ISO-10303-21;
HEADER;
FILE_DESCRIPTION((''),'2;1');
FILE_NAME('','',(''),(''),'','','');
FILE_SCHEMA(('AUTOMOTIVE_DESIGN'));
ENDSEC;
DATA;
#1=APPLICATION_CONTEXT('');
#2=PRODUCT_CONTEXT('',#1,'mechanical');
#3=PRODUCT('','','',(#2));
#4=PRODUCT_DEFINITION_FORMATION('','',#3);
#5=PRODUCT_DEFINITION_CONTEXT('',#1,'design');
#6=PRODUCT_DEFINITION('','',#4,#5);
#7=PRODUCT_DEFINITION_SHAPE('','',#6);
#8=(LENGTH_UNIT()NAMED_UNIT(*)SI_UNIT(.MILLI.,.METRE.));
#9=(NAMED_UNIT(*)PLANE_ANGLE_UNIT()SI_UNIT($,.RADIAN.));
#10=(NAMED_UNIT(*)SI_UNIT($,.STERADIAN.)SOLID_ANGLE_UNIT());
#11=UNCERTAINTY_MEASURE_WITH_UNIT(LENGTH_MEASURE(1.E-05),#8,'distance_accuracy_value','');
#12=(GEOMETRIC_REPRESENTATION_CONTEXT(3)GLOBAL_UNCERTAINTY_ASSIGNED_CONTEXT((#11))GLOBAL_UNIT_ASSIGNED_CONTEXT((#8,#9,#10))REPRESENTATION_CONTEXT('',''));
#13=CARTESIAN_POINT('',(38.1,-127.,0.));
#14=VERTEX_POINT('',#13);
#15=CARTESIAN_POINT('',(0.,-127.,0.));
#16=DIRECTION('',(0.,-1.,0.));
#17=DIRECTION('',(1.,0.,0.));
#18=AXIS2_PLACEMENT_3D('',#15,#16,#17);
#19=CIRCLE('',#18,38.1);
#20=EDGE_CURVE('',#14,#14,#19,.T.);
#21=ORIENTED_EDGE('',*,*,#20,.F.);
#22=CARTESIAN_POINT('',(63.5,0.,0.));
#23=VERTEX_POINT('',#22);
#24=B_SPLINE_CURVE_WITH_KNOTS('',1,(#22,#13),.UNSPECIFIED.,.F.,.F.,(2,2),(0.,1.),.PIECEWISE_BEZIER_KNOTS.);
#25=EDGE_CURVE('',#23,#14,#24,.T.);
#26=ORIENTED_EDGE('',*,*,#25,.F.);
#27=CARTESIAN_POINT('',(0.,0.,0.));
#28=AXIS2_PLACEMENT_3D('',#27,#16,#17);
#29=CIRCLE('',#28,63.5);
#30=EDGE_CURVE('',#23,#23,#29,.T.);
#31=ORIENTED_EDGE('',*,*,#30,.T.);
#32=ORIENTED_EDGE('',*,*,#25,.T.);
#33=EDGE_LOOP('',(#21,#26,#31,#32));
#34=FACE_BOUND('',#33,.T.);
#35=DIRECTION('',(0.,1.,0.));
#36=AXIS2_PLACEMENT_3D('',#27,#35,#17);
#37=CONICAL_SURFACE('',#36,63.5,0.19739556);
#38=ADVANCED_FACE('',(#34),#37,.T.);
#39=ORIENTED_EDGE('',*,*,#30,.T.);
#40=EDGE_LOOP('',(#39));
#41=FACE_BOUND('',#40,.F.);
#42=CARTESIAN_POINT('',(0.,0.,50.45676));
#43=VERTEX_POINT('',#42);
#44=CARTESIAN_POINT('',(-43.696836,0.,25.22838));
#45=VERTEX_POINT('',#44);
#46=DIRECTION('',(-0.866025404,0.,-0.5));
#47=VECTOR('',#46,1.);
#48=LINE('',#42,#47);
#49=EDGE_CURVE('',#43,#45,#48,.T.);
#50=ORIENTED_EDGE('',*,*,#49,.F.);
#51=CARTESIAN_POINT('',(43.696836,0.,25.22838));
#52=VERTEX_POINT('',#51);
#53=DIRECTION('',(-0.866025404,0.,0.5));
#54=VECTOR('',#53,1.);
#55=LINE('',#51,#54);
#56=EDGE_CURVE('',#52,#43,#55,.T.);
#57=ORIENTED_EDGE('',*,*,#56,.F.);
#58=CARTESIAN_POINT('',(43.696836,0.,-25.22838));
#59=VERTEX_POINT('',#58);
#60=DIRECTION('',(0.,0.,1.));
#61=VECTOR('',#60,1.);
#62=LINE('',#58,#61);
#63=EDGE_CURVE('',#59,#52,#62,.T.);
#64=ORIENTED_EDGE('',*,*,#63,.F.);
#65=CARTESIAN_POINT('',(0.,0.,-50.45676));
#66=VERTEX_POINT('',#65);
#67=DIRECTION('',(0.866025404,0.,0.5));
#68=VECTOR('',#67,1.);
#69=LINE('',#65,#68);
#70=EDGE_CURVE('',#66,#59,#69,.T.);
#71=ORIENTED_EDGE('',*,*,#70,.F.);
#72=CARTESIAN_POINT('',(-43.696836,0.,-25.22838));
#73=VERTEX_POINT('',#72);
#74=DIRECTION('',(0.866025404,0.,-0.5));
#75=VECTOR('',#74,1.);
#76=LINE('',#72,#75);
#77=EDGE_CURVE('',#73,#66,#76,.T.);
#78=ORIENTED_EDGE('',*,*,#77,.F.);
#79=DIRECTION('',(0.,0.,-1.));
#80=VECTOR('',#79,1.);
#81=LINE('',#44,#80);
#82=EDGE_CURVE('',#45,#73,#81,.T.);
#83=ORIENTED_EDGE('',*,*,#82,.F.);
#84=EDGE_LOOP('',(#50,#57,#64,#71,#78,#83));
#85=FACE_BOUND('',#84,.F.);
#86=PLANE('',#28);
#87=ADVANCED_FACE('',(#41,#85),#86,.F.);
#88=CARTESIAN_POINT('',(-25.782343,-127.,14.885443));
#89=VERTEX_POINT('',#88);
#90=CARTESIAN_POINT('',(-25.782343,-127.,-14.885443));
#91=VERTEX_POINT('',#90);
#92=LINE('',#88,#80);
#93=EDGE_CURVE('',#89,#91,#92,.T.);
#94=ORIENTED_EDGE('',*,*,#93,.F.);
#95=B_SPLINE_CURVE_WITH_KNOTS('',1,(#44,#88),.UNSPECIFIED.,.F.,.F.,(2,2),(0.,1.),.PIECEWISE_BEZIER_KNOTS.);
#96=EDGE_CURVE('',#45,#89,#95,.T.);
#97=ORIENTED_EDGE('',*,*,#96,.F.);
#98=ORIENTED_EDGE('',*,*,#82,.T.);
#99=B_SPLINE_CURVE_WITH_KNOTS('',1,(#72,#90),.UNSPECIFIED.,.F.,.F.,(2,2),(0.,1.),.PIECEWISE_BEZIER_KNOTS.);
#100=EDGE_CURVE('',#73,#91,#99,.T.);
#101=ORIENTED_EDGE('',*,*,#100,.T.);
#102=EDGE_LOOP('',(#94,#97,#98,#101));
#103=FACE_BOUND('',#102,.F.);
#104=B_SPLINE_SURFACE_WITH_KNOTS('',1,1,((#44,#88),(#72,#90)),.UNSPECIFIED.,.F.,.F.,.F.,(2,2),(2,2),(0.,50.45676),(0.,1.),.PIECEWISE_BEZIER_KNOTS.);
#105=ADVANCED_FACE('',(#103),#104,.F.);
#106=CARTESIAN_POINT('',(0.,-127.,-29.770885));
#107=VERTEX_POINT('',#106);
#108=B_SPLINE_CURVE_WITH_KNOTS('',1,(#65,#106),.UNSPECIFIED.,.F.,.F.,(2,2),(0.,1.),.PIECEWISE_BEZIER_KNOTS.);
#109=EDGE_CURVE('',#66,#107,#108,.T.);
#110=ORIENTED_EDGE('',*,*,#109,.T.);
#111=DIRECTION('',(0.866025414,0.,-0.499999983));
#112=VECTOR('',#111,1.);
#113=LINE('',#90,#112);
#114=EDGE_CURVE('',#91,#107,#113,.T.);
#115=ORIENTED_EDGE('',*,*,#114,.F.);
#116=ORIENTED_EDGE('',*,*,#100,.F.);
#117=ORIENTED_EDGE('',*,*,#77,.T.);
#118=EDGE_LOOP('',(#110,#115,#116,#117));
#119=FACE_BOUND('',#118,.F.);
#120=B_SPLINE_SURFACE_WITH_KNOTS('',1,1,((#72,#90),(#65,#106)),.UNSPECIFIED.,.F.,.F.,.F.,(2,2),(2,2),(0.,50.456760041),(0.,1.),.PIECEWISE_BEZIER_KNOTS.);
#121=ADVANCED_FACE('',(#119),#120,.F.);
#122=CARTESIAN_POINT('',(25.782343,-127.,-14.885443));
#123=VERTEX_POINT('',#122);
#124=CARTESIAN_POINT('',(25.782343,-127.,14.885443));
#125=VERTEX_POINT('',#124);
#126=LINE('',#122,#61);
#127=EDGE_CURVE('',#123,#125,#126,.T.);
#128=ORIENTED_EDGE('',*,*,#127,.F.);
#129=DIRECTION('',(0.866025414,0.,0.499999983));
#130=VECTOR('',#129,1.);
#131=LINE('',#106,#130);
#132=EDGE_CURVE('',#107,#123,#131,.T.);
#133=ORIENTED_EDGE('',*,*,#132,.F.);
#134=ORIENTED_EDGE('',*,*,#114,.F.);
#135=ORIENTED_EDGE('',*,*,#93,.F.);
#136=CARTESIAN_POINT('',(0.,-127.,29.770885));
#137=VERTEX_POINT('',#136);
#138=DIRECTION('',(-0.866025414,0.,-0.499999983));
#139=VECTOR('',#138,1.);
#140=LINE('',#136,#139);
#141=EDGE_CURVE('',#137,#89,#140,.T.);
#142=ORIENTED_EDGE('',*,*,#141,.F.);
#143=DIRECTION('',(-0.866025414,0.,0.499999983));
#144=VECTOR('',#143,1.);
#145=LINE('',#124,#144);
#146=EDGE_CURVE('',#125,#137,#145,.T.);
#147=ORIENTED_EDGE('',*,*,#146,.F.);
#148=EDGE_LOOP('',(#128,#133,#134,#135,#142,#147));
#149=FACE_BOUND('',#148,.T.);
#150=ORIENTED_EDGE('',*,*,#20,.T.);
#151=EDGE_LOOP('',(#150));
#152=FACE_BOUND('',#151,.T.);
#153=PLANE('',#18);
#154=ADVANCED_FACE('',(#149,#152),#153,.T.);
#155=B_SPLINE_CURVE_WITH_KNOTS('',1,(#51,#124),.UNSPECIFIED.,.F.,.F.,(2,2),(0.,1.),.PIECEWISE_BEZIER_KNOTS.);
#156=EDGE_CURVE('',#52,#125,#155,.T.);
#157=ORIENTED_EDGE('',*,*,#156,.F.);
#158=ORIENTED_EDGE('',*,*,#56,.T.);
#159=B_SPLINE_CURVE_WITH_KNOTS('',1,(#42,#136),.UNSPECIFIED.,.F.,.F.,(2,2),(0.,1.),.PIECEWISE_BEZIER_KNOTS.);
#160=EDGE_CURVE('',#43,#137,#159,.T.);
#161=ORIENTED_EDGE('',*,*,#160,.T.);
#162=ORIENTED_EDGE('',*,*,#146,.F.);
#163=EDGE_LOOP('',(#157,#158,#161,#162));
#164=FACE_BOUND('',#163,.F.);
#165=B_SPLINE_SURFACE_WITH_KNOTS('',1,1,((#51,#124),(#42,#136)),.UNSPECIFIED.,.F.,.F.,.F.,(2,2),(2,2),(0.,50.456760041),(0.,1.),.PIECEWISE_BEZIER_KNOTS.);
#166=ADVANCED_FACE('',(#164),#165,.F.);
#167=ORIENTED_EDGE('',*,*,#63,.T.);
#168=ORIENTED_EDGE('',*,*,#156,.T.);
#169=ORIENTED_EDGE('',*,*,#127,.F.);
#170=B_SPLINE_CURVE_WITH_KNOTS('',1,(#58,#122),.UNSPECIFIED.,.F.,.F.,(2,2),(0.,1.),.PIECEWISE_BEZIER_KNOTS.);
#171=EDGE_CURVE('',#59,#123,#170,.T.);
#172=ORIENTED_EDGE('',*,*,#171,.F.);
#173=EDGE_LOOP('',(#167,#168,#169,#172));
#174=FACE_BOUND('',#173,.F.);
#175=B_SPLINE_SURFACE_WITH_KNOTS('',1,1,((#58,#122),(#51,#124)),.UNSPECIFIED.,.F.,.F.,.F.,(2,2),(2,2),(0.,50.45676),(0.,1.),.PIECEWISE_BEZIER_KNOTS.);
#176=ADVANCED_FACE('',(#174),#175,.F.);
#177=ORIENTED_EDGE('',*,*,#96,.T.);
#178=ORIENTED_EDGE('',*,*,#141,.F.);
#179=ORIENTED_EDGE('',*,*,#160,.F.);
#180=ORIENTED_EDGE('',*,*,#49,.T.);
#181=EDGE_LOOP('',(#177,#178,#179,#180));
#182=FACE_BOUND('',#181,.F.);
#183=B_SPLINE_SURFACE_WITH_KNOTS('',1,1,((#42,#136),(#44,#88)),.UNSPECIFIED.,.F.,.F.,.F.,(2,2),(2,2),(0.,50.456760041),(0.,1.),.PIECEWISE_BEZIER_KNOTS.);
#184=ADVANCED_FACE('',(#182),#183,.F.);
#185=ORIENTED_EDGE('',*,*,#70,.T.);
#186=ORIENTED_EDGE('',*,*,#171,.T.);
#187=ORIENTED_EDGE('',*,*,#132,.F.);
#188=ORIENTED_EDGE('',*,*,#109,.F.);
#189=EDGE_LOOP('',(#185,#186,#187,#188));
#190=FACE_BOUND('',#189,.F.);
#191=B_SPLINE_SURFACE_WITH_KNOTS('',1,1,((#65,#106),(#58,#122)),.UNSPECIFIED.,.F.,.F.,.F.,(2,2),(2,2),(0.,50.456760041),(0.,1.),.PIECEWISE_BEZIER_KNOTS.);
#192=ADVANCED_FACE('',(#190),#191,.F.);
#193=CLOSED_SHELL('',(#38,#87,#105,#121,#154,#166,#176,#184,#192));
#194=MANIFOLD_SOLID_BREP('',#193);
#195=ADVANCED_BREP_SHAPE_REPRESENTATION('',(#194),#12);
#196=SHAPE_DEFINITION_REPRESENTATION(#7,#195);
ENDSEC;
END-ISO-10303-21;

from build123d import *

# Parameters (mm, degrees)
F1_R = 63.5
F2_R = 38.1


with BuildPart() as f3:
    # F1 (on Front) → F3 section 0
    with BuildSketch(Plane.XZ):
        Circle(F1_R)
    # F2 (on offset) → F3 section 1
    with BuildSketch(Plane.XZ.offset(127)):
        Circle(F2_R)
    loft()

    # F5 (on Front) → F6 section 0
    with BuildSketch(Plane.XZ):
        Polygon((43.696836, -25.22838), (43.696836, 25.22838), (0, 50.45676), (-43.696836, 25.22838), (-43.696836, -25.22838), (0, -50.45676), align=None)
    # F4 (on offset) → F6 section 1
    with BuildSketch(Plane.XZ.offset(127)):
        Polygon((25.782343, -14.885443), (25.782343, 14.885443), (0, 29.770885), (-25.782343, 14.885443), (-25.782343, -14.885443), (0, -29.770885), align=None)
    loft(mode=Mode.SUBTRACT)


solid = f3.part
